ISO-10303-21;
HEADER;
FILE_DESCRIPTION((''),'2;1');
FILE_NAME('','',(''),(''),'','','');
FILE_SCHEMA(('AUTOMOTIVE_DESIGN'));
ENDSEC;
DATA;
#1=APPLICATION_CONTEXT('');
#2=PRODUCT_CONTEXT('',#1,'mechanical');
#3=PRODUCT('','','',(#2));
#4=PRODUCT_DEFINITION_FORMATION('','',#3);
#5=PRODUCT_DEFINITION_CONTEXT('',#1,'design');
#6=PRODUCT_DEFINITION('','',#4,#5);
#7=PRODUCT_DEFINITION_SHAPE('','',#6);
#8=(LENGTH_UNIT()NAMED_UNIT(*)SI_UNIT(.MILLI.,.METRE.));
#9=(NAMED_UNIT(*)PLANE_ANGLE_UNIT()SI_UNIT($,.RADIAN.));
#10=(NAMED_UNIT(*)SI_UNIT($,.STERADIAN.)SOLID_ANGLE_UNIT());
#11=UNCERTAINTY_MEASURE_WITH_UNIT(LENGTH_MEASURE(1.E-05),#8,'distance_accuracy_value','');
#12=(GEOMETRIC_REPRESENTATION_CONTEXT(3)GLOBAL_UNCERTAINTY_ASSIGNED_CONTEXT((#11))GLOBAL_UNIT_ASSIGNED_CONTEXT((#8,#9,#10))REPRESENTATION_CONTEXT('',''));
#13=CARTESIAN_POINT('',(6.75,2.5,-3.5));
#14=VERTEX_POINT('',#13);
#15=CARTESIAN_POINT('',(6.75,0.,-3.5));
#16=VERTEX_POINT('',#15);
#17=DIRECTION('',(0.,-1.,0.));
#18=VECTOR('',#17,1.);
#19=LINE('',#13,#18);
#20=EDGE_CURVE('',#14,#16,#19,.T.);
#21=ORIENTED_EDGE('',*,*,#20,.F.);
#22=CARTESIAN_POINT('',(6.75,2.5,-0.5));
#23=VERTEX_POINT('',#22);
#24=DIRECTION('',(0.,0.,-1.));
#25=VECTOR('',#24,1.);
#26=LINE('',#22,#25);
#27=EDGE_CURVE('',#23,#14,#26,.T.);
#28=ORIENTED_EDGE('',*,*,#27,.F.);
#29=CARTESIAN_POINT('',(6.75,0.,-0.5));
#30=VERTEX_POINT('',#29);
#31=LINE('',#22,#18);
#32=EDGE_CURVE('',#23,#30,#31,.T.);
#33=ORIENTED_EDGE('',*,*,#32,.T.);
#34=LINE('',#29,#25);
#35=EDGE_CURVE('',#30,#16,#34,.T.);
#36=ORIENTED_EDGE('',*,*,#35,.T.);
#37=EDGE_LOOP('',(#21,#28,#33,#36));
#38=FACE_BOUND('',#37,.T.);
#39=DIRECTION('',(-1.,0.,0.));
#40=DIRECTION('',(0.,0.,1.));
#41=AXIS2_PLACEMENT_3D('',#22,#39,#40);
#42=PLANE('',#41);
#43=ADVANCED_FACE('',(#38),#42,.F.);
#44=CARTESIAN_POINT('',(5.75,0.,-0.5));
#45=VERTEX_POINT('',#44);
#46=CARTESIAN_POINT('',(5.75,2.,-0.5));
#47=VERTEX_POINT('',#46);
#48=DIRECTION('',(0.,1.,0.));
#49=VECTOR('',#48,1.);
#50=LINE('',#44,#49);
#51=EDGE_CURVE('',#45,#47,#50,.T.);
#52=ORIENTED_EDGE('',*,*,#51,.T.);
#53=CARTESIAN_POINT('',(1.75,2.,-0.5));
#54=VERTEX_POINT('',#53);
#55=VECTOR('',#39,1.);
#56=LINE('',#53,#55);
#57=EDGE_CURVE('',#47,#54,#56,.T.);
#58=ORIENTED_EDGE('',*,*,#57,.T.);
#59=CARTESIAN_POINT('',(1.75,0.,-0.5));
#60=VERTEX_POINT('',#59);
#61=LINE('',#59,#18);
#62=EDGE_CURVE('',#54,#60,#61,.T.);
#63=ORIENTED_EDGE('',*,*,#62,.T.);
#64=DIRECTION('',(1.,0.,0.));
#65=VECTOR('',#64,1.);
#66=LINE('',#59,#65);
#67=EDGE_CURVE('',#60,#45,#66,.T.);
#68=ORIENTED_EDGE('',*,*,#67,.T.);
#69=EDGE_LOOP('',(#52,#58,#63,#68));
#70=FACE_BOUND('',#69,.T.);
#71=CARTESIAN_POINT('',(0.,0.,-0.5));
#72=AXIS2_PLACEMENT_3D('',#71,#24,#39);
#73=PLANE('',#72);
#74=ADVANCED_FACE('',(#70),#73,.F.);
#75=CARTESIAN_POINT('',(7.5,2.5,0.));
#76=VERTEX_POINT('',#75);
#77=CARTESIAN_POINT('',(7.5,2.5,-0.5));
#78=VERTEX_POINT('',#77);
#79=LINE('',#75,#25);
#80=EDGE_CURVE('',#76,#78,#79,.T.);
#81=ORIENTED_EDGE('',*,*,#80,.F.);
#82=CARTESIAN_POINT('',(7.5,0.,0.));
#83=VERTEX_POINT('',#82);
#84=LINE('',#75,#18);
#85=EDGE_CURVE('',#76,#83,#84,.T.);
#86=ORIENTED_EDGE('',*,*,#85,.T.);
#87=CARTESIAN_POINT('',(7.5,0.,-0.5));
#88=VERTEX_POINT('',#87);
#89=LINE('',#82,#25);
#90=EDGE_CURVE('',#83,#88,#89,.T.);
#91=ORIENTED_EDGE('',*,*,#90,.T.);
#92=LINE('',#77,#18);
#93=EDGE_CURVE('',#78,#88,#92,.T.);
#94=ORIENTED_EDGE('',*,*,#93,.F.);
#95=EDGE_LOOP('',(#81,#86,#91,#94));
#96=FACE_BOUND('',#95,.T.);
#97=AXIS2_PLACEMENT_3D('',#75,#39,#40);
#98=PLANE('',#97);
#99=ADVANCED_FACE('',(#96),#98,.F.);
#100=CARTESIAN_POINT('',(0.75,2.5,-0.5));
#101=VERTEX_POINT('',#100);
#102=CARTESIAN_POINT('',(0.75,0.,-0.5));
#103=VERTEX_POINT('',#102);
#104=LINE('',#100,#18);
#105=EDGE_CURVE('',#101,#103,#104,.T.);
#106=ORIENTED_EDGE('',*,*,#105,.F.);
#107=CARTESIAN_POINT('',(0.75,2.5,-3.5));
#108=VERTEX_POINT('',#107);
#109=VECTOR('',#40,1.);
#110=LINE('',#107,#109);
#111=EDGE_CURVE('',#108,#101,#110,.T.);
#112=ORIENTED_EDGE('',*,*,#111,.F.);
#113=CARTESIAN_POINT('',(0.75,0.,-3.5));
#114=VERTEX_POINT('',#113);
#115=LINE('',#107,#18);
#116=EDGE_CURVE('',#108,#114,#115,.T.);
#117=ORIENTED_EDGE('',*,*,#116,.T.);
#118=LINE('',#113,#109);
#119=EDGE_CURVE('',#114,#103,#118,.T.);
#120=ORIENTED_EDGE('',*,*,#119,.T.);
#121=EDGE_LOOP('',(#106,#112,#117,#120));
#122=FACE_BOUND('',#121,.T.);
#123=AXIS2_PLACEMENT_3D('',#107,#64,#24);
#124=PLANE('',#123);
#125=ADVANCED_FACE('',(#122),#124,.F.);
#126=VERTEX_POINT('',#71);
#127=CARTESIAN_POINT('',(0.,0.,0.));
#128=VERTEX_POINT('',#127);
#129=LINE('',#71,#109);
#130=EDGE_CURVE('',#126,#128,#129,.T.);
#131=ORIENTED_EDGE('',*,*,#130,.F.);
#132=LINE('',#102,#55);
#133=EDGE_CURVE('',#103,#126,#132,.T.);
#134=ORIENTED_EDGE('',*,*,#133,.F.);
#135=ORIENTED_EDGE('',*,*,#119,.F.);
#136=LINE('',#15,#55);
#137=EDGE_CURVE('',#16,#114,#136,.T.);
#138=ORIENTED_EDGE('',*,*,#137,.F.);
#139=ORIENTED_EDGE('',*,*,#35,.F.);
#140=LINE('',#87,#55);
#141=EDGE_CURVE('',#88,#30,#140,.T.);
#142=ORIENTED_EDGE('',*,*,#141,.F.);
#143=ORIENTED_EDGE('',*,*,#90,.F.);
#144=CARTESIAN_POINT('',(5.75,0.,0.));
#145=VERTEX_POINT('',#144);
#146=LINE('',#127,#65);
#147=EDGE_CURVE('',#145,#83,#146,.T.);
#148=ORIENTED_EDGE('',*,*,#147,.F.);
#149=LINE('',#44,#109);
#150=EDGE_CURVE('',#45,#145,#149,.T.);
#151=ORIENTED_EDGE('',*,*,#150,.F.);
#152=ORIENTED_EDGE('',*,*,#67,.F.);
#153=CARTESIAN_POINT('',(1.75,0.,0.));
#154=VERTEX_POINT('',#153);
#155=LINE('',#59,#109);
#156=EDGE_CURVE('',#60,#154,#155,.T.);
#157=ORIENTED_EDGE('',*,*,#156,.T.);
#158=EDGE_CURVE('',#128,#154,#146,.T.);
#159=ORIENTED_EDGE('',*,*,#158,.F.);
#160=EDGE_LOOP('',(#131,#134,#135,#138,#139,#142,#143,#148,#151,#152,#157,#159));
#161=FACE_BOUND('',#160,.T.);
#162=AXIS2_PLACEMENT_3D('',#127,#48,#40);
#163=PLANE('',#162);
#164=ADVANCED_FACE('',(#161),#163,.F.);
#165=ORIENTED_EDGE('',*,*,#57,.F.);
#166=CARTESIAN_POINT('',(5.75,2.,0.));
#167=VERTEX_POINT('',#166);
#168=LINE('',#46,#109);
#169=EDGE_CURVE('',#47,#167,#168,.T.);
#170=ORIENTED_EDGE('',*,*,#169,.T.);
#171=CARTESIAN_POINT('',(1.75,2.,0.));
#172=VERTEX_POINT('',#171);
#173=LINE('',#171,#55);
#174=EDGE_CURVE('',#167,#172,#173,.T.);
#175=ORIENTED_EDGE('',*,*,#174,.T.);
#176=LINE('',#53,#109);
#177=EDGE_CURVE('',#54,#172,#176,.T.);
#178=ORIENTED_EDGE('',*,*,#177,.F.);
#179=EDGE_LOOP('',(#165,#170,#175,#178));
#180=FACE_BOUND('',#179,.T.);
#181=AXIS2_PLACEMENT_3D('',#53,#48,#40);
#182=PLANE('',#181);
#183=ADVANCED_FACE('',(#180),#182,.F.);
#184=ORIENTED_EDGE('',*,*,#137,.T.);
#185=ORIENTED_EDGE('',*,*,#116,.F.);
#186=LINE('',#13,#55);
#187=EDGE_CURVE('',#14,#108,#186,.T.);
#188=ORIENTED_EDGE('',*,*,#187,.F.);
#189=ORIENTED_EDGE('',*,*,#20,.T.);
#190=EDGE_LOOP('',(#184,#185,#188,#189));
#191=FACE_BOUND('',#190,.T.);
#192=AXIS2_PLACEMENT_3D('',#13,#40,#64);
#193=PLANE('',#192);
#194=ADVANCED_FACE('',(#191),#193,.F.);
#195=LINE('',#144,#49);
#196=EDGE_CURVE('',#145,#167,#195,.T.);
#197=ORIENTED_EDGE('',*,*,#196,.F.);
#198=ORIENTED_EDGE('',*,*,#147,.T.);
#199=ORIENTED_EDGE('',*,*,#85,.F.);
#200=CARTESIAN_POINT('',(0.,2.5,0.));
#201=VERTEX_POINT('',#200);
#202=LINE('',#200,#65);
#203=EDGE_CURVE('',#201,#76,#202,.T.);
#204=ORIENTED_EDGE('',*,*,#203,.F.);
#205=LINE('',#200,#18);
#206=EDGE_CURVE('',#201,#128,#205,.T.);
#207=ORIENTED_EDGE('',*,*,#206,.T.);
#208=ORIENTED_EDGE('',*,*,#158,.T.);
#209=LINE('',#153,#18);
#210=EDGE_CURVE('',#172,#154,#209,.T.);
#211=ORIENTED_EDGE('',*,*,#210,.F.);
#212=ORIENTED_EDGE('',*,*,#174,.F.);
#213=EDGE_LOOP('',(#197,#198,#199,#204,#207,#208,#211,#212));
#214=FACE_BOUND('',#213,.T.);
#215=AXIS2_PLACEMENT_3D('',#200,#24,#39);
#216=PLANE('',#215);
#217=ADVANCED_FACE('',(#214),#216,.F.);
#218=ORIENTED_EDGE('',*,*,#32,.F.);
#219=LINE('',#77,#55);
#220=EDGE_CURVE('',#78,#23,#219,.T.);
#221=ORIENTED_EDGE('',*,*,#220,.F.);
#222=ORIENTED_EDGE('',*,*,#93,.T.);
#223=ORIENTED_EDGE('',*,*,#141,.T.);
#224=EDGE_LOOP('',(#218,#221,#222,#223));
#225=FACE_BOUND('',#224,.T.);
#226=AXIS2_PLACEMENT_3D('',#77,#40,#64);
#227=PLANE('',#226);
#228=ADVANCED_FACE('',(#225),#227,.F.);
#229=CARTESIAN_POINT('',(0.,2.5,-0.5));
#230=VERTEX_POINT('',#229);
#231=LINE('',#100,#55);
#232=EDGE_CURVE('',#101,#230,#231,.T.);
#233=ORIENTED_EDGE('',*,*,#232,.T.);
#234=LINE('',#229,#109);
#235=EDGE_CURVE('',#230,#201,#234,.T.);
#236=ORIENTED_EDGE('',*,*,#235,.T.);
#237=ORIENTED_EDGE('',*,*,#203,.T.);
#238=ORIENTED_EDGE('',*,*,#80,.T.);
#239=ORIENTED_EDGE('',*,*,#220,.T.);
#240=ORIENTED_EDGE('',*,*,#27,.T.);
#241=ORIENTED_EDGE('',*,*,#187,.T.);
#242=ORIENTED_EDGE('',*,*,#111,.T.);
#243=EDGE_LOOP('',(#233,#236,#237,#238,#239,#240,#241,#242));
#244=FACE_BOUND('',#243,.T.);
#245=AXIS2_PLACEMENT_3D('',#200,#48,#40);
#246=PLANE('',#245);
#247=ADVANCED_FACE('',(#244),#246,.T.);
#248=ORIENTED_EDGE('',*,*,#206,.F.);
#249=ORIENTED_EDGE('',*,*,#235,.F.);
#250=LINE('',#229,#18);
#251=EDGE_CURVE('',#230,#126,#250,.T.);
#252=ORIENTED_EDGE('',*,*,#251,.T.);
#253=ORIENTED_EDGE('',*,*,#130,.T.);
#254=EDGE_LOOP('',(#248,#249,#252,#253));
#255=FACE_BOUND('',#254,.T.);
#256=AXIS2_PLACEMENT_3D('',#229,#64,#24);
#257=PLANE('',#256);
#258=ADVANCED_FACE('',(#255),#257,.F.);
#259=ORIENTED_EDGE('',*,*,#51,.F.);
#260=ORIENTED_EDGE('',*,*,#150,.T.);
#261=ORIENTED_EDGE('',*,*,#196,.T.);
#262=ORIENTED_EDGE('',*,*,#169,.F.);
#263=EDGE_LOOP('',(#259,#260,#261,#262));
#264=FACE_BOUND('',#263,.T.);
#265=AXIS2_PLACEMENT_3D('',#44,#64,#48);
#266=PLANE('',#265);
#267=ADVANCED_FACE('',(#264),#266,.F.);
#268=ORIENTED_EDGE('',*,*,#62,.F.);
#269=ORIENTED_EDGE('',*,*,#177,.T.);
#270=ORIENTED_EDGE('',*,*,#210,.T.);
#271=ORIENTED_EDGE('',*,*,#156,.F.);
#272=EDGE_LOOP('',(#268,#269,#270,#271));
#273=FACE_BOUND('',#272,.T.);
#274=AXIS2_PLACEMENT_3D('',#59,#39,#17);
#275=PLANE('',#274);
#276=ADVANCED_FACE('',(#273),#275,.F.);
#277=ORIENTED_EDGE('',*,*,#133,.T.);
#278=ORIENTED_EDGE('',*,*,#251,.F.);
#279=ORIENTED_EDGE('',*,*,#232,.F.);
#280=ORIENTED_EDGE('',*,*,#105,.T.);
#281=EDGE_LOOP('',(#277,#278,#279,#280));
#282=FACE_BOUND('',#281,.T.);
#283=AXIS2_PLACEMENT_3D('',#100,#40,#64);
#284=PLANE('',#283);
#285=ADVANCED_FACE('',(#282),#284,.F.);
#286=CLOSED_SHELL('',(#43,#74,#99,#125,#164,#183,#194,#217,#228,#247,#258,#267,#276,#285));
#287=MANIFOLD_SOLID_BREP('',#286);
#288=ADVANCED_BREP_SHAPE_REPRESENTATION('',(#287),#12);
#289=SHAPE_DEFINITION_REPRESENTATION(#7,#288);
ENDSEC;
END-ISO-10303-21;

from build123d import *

# Parameters (mm, degrees)
BOSS_EXTRUDE1_DEPTH = 2.5
SKETCH2_W           = 4
SKETCH2_H           = 2
CUT_EXTRUDE1_DEPTH  = 0.5


with BuildPart() as part:
    # Sketch1 → Boss-Extrude1 (new body)
    with BuildSketch(Plane(origin=(0, 0, 0), x_dir=(1, 0, 0), z_dir=(0, 1, 0))):
        Polygon((0, 0), (7.5, 0), (7.5, 0.5), (6.75, 0.5), (6.75, 3.5), (0.75, 3.5), (0.75, 0.5), (0, 0.5), align=None)
    extrude(amount=BOSS_EXTRUDE1_DEPTH)

    # Sketch2 → Cut-Extrude1 (cut)
    with BuildSketch(Plane.XY):
        with Locations((3.75, 1)):
            Rectangle(SKETCH2_W, SKETCH2_H)
    extrude(amount=-CUT_EXTRUDE1_DEPTH, mode=Mode.SUBTRACT)


solid = part.part
